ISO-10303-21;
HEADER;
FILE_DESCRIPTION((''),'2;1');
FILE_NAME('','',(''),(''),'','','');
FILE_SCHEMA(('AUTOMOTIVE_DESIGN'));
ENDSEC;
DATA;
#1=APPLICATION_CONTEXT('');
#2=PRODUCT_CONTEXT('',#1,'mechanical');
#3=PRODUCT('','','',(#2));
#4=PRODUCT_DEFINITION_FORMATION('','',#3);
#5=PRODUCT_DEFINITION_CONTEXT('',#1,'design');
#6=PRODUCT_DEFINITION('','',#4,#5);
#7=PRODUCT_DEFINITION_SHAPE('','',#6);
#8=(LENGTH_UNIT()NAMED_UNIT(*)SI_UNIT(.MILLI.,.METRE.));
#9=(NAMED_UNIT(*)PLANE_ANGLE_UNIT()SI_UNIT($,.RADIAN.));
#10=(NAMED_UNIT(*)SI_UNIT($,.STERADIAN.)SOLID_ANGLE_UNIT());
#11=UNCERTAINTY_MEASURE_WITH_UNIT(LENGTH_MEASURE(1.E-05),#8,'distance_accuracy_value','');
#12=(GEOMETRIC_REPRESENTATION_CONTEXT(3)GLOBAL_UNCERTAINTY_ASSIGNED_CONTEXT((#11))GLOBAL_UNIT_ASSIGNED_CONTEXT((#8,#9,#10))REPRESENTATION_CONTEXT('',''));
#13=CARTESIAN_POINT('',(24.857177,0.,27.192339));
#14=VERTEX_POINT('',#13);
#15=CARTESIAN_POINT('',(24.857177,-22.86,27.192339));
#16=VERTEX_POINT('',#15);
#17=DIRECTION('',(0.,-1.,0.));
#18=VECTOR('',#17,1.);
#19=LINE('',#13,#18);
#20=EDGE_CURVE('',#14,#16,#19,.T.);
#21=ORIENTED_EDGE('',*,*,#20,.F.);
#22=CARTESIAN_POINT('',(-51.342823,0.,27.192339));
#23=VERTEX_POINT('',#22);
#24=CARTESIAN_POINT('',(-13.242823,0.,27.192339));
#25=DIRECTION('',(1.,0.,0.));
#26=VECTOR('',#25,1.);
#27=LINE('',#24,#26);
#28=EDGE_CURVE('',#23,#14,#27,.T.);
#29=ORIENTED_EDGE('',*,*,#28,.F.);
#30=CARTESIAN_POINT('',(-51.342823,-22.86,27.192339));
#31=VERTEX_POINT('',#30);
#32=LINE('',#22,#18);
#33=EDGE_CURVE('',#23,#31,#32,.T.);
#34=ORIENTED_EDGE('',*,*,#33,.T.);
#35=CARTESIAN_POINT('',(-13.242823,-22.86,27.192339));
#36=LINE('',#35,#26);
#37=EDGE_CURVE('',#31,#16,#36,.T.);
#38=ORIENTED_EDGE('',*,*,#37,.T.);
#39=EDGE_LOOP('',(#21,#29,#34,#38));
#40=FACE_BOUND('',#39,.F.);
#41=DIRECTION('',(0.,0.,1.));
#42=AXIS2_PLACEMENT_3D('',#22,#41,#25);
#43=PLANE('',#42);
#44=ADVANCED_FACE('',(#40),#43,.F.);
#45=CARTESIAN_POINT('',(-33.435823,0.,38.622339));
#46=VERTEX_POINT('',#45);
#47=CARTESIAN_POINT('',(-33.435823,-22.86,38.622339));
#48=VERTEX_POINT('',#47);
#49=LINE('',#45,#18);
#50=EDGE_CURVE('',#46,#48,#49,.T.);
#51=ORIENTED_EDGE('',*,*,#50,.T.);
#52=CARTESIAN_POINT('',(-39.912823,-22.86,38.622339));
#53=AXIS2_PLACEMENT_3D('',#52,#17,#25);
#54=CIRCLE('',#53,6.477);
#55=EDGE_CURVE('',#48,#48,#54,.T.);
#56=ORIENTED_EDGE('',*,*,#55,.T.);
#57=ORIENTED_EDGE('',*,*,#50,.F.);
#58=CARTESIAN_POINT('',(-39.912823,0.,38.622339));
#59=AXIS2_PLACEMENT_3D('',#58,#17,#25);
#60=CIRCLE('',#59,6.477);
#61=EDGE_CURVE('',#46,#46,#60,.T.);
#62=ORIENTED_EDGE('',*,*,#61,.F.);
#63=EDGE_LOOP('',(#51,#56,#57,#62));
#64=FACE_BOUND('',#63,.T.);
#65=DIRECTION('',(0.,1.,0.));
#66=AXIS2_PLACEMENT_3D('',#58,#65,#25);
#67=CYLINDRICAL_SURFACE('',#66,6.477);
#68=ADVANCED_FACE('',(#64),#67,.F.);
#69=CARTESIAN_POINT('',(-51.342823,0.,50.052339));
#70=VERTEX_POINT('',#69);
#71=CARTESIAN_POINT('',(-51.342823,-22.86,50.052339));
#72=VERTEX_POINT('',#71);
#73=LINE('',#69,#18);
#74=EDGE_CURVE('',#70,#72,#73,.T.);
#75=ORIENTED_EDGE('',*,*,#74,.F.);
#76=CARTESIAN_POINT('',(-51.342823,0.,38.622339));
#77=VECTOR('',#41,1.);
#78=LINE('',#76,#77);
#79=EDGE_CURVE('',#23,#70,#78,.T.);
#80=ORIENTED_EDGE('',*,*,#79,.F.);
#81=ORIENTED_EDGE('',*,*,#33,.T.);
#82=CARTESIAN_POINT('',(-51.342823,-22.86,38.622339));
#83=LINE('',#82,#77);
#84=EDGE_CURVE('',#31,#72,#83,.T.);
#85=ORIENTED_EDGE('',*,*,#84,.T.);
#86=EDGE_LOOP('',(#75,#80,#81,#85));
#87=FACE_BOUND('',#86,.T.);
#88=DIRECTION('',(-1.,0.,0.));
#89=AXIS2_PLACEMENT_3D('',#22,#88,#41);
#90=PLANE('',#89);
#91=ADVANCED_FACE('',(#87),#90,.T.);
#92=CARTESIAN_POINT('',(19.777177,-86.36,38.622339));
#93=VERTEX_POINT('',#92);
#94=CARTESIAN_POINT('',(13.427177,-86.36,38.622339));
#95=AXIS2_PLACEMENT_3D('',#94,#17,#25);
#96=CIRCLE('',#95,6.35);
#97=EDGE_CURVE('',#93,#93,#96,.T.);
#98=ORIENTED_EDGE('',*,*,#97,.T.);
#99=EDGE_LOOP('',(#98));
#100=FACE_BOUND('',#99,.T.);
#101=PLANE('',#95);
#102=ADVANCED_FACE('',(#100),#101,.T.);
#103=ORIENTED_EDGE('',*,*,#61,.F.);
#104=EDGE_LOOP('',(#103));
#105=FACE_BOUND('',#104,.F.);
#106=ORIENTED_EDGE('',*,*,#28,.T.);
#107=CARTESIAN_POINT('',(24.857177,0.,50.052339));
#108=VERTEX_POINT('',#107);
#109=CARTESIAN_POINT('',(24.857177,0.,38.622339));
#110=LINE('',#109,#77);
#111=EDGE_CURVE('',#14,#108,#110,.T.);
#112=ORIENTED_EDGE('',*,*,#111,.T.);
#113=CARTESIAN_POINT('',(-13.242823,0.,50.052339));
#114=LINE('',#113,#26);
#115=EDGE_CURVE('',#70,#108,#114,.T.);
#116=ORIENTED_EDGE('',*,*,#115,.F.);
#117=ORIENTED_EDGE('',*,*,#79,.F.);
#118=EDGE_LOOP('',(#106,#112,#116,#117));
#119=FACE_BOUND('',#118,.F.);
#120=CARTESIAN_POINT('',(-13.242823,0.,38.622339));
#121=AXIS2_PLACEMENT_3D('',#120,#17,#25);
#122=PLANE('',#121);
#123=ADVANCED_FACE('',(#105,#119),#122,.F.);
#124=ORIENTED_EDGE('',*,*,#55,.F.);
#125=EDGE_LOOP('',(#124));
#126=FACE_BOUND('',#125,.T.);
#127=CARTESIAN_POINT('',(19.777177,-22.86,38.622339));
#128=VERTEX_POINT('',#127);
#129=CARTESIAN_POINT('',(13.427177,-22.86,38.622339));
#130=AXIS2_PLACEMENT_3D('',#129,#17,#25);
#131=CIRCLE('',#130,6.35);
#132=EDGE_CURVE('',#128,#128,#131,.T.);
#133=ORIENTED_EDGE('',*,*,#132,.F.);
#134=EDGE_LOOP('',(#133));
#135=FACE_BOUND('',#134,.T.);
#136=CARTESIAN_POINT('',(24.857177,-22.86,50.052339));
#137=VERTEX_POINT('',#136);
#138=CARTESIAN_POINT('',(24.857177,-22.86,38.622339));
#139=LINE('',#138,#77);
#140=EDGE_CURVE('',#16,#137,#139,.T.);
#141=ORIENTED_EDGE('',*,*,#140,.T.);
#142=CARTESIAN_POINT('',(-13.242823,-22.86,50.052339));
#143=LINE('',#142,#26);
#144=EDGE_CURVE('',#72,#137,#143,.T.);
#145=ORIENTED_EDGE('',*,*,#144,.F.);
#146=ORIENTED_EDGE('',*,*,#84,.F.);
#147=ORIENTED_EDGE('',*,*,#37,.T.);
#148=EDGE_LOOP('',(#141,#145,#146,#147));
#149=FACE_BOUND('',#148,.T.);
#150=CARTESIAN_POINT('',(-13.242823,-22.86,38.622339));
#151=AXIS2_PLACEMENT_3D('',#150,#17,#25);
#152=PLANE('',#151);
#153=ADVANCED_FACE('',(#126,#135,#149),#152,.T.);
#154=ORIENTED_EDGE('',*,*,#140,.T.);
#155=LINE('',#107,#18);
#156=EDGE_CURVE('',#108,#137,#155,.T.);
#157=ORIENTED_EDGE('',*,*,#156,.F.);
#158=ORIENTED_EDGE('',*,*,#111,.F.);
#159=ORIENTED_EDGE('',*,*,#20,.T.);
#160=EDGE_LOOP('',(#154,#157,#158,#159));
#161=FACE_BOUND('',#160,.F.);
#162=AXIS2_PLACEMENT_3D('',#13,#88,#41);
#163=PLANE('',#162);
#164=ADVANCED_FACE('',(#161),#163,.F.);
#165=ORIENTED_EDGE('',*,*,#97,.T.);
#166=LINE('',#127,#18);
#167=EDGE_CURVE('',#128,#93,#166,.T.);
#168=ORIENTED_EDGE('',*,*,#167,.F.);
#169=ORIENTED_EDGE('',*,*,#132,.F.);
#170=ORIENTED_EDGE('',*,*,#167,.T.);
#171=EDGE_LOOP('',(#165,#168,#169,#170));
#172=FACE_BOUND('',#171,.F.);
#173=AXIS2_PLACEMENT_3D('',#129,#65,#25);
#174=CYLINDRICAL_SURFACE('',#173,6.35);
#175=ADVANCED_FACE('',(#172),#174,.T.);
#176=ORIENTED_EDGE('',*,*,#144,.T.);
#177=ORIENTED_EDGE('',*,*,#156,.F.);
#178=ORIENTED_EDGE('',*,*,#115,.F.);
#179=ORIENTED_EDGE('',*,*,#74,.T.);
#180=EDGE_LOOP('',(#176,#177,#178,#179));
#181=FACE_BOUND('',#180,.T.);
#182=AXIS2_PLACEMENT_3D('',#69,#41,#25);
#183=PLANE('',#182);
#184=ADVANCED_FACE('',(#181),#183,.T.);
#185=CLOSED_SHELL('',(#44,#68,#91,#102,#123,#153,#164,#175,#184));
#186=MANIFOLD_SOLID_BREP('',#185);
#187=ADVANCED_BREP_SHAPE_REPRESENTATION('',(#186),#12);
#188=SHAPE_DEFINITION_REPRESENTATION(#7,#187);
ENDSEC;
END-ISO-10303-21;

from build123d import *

# Parameters (mm, degrees)
F0_W     = 76.2
F0_H     = 22.86
F0_R     = 6.477
F1_DEPTH = 22.86
F2_R     = 6.35
F3_DEPTH = 63.5


with BuildPart() as f1:
    # F0 (on Front) → F1 (new body)
    with BuildSketch(Plane.XZ):
        with Locations((-13.242823, 38.622339)):
            Rectangle(F0_W, F0_H)
        with Locations((-39.912823, 38.622339)):
            Circle(F0_R, mode=Mode.SUBTRACT)
    extrude(amount=F1_DEPTH)

    # F2 (on face) → F3 (join)
    with BuildSketch(Plane.XZ.offset(22.86)):
        with Locations((13.427177, 38.622339)):
            Circle(F2_R)
    extrude(amount=F3_DEPTH)


solid = f1.part
